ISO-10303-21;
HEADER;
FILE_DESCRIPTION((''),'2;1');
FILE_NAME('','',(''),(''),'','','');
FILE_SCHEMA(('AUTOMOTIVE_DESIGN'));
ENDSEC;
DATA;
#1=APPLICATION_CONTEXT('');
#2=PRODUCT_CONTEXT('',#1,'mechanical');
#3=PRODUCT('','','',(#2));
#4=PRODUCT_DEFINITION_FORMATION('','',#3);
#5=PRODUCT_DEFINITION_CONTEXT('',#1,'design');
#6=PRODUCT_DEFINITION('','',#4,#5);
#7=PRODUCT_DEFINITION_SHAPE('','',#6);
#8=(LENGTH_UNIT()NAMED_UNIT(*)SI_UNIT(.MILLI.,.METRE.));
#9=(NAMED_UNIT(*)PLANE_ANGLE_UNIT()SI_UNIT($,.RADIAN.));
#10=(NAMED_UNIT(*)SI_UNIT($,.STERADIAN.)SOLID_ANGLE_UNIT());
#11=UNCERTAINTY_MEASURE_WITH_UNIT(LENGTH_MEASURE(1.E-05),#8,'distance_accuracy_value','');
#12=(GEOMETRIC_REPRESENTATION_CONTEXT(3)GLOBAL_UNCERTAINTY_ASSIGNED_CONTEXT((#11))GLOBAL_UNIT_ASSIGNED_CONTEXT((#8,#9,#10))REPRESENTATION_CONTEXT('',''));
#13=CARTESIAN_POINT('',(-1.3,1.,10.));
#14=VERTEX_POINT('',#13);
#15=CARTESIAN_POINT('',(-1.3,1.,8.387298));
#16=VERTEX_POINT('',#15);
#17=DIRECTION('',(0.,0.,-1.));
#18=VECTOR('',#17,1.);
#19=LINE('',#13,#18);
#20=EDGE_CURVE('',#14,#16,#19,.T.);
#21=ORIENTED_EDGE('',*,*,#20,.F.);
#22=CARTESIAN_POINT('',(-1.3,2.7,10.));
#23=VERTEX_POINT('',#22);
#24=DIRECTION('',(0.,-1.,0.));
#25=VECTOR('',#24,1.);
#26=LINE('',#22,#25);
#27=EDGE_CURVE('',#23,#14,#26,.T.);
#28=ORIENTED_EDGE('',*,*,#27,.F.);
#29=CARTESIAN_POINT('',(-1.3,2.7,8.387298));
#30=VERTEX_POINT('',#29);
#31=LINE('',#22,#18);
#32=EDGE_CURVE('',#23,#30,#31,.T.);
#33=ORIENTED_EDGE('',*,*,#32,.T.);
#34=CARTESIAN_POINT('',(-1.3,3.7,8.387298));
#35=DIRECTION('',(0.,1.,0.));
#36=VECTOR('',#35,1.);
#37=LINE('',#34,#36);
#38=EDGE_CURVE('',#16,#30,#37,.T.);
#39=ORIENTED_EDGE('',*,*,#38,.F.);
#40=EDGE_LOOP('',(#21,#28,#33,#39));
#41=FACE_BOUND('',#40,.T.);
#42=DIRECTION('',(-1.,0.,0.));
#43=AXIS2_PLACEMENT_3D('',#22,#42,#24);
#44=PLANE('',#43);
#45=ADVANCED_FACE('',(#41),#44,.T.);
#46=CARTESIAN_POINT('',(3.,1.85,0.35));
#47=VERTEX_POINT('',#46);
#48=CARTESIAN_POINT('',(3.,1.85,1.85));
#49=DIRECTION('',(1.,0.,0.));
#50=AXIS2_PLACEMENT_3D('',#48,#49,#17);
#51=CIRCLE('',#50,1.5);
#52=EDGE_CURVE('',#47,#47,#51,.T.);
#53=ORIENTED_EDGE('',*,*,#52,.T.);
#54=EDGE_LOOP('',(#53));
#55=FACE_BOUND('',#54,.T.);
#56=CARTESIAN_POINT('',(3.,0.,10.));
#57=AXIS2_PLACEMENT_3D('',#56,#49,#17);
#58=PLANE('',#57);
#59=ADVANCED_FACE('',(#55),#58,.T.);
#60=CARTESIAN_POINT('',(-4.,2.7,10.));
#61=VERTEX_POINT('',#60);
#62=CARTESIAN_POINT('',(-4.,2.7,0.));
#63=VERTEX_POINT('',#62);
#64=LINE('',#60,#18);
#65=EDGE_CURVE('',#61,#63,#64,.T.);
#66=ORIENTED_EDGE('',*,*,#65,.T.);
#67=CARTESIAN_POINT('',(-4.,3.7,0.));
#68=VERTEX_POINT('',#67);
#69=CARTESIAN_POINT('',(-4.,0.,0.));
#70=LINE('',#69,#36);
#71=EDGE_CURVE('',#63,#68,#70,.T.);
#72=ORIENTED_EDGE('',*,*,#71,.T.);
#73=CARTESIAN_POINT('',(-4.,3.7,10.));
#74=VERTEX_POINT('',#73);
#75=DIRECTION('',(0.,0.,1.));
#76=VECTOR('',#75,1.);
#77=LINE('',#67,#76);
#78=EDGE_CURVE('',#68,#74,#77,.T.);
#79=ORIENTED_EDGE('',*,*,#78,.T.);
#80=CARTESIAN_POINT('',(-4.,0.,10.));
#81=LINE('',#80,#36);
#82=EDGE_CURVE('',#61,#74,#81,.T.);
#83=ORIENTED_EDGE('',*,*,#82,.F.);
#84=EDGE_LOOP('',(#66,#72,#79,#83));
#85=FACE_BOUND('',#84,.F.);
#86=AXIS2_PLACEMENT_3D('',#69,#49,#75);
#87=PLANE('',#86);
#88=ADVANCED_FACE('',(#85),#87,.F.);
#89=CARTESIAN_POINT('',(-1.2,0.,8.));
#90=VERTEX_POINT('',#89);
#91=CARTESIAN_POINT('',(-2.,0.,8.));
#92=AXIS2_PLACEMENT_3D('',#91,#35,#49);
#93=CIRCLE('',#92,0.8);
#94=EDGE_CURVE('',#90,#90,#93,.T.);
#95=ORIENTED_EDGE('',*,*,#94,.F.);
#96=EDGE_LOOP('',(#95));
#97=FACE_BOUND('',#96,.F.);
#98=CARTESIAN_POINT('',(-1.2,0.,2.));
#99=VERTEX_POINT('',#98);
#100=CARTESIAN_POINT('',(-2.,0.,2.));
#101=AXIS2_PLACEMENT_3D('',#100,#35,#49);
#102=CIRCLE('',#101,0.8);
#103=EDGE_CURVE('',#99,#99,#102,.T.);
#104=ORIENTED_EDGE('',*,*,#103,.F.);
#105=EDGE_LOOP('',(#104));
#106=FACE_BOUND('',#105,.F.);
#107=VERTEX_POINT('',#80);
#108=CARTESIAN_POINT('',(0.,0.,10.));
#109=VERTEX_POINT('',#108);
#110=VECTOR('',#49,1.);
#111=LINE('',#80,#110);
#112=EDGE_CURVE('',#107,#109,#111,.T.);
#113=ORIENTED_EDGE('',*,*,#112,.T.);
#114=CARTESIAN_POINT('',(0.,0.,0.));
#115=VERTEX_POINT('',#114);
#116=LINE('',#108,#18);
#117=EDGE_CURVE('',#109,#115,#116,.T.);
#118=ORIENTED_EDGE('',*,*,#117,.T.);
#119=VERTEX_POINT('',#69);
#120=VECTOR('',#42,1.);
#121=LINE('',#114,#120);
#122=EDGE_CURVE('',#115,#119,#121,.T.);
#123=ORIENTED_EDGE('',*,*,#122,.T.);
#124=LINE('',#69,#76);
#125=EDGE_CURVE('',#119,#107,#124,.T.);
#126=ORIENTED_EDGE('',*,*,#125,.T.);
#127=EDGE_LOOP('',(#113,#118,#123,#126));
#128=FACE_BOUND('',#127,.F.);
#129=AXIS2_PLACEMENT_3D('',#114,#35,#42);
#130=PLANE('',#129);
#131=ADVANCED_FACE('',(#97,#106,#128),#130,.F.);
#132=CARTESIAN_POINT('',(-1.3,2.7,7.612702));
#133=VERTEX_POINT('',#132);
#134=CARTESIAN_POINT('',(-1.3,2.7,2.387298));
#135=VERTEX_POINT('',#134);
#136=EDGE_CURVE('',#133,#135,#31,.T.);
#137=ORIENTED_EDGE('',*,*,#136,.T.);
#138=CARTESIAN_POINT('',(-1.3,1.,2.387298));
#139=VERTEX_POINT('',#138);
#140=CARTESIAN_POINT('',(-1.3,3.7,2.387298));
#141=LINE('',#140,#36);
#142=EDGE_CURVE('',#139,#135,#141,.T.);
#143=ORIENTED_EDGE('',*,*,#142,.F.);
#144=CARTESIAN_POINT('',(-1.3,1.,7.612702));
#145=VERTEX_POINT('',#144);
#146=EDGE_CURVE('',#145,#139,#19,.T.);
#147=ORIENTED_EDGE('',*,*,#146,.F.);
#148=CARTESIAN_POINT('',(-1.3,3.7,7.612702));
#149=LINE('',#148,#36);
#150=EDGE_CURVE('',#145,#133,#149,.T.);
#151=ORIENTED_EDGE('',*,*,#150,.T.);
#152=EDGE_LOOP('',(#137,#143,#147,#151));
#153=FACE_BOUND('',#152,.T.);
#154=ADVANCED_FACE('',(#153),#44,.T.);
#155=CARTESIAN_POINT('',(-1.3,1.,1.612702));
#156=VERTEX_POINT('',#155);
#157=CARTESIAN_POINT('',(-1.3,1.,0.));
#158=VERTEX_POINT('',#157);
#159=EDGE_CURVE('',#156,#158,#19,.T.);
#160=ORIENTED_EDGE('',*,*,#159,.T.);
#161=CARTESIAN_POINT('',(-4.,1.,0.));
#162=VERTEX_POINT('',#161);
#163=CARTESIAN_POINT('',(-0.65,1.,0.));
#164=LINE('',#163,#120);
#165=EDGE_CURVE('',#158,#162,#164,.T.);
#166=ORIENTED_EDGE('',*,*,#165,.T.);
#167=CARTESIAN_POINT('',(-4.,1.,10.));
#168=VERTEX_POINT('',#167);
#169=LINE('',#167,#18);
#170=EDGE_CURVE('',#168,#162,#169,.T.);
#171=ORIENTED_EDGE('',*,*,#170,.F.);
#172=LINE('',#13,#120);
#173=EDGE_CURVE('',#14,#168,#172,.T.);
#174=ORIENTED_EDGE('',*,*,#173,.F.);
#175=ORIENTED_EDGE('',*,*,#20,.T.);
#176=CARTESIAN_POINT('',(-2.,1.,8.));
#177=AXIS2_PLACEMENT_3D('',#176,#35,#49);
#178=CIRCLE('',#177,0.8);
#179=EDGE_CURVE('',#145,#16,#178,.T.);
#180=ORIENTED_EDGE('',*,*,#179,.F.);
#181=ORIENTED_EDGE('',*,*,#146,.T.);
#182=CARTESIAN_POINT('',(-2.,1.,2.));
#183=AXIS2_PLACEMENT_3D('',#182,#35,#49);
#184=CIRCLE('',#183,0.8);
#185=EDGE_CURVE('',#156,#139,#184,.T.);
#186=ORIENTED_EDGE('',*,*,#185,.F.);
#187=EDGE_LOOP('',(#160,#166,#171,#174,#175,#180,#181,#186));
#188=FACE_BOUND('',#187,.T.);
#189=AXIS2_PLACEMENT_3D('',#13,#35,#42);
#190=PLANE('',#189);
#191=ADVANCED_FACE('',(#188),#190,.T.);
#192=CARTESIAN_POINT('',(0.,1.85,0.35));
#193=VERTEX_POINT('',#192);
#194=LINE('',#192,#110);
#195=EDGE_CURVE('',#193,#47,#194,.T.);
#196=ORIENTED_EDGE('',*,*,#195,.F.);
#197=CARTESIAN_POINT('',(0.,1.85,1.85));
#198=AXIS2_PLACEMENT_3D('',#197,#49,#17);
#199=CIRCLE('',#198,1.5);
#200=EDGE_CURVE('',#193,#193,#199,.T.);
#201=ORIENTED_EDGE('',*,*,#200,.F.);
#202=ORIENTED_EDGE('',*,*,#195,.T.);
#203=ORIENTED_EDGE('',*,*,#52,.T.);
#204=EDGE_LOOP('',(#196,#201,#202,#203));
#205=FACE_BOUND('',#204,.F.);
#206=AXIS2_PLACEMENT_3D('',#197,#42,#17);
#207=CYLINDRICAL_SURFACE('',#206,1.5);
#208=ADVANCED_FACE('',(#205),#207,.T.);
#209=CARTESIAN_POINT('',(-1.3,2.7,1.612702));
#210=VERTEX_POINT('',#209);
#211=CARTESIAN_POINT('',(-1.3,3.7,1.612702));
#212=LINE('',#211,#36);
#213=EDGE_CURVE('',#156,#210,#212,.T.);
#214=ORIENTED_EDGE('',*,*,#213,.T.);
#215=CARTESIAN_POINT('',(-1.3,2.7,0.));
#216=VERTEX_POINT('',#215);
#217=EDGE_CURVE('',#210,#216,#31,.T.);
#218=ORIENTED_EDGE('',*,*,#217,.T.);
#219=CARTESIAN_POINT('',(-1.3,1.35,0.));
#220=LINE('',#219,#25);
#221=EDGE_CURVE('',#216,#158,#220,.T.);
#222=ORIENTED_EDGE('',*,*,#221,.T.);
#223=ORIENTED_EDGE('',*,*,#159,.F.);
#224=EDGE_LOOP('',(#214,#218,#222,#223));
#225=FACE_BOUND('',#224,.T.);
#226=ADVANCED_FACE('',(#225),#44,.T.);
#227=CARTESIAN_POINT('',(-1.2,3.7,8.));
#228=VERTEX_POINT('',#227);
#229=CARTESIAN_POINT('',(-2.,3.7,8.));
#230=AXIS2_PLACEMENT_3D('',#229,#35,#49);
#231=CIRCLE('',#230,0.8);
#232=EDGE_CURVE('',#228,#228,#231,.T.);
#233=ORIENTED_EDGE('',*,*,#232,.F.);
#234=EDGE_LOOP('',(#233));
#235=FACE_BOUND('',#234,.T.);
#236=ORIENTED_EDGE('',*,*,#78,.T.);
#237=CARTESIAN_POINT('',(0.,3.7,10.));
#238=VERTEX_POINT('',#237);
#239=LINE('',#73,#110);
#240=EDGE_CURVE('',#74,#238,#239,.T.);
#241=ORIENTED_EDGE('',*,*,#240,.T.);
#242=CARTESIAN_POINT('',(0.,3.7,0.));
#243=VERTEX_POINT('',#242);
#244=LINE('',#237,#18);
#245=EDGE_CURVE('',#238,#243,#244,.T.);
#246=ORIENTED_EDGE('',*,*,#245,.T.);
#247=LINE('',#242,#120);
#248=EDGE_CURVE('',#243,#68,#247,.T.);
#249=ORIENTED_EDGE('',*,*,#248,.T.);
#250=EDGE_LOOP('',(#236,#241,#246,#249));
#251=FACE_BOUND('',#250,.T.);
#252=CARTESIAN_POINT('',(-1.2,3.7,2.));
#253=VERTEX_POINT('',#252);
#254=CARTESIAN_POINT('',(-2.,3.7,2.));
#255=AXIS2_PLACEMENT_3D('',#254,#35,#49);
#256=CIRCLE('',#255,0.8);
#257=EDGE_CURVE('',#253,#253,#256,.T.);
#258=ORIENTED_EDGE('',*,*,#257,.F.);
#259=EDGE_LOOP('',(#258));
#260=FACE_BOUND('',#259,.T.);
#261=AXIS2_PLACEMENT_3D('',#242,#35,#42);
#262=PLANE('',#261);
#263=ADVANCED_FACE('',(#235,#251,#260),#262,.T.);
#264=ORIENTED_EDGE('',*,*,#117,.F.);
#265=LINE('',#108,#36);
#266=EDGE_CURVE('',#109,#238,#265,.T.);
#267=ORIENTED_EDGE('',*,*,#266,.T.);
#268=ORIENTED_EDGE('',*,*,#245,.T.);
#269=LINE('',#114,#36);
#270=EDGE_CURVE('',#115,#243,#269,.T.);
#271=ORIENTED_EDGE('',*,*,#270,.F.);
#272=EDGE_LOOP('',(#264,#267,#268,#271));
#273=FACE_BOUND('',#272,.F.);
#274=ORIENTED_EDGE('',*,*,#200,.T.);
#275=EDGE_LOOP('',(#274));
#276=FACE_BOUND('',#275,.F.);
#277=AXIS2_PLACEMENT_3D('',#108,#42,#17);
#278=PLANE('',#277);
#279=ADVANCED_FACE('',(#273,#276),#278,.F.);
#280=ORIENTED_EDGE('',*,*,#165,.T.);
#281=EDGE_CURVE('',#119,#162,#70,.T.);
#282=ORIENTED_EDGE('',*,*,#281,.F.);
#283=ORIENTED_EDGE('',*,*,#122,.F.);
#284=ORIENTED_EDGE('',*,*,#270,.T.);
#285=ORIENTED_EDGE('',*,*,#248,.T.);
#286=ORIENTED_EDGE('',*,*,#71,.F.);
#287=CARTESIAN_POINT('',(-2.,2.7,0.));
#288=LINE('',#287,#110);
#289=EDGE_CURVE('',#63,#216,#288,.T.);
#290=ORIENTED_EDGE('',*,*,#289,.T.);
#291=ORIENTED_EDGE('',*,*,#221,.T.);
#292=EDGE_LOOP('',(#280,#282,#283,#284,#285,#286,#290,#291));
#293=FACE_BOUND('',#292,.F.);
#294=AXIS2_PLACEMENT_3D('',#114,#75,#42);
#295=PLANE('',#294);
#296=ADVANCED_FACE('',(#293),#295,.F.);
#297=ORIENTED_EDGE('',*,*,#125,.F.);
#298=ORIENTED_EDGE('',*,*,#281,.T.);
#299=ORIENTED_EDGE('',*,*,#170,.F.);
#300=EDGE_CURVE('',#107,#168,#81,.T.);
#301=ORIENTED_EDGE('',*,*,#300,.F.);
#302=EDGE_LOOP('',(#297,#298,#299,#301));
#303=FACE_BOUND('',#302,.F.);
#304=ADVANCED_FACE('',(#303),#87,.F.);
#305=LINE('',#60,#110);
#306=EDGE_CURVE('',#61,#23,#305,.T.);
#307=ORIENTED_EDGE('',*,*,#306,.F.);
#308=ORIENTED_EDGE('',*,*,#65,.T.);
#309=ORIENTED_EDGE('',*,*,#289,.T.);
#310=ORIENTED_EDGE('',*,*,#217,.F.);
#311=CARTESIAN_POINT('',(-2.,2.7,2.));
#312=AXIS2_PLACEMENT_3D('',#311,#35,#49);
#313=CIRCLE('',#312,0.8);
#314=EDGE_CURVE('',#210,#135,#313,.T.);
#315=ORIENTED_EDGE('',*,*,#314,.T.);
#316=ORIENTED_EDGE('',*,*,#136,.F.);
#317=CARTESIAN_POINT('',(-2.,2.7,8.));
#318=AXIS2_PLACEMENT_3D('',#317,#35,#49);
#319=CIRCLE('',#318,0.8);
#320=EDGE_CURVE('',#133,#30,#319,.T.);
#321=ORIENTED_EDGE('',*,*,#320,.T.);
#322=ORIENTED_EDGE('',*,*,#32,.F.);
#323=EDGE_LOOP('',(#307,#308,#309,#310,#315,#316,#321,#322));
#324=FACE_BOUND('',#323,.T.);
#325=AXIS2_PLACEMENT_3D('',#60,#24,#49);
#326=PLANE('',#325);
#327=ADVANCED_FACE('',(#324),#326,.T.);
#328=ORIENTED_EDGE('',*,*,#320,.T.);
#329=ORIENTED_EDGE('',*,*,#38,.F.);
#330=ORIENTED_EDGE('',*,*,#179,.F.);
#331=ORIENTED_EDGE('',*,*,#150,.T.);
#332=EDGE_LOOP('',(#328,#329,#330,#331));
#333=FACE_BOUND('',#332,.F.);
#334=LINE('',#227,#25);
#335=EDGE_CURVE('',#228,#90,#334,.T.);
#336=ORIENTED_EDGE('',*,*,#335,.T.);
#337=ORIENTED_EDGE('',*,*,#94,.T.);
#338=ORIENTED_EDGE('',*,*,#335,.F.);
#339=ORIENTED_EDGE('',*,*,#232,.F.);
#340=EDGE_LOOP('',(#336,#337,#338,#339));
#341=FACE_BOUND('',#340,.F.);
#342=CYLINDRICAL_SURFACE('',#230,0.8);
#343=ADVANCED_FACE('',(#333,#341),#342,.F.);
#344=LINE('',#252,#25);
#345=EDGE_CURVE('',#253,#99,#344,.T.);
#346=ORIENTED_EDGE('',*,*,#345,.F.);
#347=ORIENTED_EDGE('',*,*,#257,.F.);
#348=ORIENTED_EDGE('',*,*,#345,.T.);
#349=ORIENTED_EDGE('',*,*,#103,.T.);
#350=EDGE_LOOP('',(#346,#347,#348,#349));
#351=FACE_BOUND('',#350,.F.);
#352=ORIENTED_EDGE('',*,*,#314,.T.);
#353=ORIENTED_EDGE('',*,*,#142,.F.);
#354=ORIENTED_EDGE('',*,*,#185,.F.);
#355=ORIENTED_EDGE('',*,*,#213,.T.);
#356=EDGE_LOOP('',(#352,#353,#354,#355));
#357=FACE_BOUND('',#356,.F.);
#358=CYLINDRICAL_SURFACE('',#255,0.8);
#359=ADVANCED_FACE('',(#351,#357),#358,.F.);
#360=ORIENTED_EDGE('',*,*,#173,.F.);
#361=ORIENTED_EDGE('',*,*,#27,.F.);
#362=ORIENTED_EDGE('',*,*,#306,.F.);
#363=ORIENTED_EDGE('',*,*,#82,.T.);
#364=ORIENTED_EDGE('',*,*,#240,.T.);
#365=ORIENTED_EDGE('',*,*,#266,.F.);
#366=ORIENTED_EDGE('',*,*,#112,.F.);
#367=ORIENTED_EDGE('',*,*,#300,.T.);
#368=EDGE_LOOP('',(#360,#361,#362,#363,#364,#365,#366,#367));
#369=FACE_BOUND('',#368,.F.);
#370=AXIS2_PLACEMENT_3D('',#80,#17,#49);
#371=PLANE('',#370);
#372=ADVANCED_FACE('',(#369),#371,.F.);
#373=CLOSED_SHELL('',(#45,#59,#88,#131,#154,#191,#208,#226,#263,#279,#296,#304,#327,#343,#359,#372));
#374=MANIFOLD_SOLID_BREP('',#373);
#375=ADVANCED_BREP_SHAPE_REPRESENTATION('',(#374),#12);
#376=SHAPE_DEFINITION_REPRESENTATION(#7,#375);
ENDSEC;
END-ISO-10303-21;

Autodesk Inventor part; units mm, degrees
ref_plane "YZ Plane" through (0, 0, 0) normal (1, 0, 0) x (0, 1, 0)
ref_plane "XZ Plane" through (0, 0, 0) normal (0, 1, 0) x (-1, 0, 0)
ref_plane "XY Plane" through (0, 0, 0) normal (0, 0, 1) x (1, 0, 0)
sketch "スケッチ1" plane through (0, 0, 0) normal (0, 1, 0) x (-1, 0, 0)
  line L0 (0, 0) -> (4, 0)
  line L1 (4, 0) -> (4, 10)
  line L2 (4, 10) -> (0, 10)
  line L3 (0, 10) -> (0, 0)
  dimension "d0" = 4
  dimension "d1" = 10
extrude "押し出し1" add sketch "スケッチ1" along normal blind 3.7
sketch "スケッチ2" plane through (-4, 0, 10) normal (0, 0, 1) x (1, 0, 0)
  line L0 (0, 0) -> (0, 3.7) projected
  line L1 (0, 2.7) -> (2.7, 2.7)
  line L2 (2.7, 2.7) -> (2.7, 1)
  line L3 (2.7, 1) -> (0, 1)
  line L4 (0, 1) -> (0, 2.7)
  point P0 (4, 0)
  point P1 (0, 1.85)
  dimension "d4" = 2.7
  dimension "d5" = 1.7
extrude "押し出し2" cut sketch "スケッチ2" against normal through all
sketch "スケッチ3" plane through (0, 0, 10) normal (1, 0, 0) x (0, 0, -1)
  line L0 (0, 0) -> (10, 0) projected
  line L1 (0, 3.7) -> (10, 3.7) projected
  circle A0 centre (8.15, 1.85) radius 1.85
  line L2 (10, 0) -> (10, 3.7) projected
  circle A1 centre (8.15, 1.85) radius 1.5
  dimension "d8" = 3
extrude "押し出し3" add sketch "スケッチ3" along normal blind 3 contours A1
sketch "スケッチ4" plane through (0, 3.7, 0) normal (0, 1, 0) x (1, 0, 0)
  line L0 (0, -10) -> (0, 0) projected
  line L1 (0, 0) -> (-4, 0) projected
  line L2 (-4, 0) -> (-4, -10) projected
  circle A0 centre (-2, -2) radius 0.8
  circle A1 centre (-2, -8) radius 2 construction
  line L3 (-4, -10) -> (0, -10) projected
  circle A2 centre (-2, -8) radius 0.8
  dimension "d15" = 1.6
  dimension "d18" = 1.6
extrude "押し出し4" cut sketch "スケッチ4" against normal through all contours A0 | A2
properties part number "chest_cover_axis_right"
